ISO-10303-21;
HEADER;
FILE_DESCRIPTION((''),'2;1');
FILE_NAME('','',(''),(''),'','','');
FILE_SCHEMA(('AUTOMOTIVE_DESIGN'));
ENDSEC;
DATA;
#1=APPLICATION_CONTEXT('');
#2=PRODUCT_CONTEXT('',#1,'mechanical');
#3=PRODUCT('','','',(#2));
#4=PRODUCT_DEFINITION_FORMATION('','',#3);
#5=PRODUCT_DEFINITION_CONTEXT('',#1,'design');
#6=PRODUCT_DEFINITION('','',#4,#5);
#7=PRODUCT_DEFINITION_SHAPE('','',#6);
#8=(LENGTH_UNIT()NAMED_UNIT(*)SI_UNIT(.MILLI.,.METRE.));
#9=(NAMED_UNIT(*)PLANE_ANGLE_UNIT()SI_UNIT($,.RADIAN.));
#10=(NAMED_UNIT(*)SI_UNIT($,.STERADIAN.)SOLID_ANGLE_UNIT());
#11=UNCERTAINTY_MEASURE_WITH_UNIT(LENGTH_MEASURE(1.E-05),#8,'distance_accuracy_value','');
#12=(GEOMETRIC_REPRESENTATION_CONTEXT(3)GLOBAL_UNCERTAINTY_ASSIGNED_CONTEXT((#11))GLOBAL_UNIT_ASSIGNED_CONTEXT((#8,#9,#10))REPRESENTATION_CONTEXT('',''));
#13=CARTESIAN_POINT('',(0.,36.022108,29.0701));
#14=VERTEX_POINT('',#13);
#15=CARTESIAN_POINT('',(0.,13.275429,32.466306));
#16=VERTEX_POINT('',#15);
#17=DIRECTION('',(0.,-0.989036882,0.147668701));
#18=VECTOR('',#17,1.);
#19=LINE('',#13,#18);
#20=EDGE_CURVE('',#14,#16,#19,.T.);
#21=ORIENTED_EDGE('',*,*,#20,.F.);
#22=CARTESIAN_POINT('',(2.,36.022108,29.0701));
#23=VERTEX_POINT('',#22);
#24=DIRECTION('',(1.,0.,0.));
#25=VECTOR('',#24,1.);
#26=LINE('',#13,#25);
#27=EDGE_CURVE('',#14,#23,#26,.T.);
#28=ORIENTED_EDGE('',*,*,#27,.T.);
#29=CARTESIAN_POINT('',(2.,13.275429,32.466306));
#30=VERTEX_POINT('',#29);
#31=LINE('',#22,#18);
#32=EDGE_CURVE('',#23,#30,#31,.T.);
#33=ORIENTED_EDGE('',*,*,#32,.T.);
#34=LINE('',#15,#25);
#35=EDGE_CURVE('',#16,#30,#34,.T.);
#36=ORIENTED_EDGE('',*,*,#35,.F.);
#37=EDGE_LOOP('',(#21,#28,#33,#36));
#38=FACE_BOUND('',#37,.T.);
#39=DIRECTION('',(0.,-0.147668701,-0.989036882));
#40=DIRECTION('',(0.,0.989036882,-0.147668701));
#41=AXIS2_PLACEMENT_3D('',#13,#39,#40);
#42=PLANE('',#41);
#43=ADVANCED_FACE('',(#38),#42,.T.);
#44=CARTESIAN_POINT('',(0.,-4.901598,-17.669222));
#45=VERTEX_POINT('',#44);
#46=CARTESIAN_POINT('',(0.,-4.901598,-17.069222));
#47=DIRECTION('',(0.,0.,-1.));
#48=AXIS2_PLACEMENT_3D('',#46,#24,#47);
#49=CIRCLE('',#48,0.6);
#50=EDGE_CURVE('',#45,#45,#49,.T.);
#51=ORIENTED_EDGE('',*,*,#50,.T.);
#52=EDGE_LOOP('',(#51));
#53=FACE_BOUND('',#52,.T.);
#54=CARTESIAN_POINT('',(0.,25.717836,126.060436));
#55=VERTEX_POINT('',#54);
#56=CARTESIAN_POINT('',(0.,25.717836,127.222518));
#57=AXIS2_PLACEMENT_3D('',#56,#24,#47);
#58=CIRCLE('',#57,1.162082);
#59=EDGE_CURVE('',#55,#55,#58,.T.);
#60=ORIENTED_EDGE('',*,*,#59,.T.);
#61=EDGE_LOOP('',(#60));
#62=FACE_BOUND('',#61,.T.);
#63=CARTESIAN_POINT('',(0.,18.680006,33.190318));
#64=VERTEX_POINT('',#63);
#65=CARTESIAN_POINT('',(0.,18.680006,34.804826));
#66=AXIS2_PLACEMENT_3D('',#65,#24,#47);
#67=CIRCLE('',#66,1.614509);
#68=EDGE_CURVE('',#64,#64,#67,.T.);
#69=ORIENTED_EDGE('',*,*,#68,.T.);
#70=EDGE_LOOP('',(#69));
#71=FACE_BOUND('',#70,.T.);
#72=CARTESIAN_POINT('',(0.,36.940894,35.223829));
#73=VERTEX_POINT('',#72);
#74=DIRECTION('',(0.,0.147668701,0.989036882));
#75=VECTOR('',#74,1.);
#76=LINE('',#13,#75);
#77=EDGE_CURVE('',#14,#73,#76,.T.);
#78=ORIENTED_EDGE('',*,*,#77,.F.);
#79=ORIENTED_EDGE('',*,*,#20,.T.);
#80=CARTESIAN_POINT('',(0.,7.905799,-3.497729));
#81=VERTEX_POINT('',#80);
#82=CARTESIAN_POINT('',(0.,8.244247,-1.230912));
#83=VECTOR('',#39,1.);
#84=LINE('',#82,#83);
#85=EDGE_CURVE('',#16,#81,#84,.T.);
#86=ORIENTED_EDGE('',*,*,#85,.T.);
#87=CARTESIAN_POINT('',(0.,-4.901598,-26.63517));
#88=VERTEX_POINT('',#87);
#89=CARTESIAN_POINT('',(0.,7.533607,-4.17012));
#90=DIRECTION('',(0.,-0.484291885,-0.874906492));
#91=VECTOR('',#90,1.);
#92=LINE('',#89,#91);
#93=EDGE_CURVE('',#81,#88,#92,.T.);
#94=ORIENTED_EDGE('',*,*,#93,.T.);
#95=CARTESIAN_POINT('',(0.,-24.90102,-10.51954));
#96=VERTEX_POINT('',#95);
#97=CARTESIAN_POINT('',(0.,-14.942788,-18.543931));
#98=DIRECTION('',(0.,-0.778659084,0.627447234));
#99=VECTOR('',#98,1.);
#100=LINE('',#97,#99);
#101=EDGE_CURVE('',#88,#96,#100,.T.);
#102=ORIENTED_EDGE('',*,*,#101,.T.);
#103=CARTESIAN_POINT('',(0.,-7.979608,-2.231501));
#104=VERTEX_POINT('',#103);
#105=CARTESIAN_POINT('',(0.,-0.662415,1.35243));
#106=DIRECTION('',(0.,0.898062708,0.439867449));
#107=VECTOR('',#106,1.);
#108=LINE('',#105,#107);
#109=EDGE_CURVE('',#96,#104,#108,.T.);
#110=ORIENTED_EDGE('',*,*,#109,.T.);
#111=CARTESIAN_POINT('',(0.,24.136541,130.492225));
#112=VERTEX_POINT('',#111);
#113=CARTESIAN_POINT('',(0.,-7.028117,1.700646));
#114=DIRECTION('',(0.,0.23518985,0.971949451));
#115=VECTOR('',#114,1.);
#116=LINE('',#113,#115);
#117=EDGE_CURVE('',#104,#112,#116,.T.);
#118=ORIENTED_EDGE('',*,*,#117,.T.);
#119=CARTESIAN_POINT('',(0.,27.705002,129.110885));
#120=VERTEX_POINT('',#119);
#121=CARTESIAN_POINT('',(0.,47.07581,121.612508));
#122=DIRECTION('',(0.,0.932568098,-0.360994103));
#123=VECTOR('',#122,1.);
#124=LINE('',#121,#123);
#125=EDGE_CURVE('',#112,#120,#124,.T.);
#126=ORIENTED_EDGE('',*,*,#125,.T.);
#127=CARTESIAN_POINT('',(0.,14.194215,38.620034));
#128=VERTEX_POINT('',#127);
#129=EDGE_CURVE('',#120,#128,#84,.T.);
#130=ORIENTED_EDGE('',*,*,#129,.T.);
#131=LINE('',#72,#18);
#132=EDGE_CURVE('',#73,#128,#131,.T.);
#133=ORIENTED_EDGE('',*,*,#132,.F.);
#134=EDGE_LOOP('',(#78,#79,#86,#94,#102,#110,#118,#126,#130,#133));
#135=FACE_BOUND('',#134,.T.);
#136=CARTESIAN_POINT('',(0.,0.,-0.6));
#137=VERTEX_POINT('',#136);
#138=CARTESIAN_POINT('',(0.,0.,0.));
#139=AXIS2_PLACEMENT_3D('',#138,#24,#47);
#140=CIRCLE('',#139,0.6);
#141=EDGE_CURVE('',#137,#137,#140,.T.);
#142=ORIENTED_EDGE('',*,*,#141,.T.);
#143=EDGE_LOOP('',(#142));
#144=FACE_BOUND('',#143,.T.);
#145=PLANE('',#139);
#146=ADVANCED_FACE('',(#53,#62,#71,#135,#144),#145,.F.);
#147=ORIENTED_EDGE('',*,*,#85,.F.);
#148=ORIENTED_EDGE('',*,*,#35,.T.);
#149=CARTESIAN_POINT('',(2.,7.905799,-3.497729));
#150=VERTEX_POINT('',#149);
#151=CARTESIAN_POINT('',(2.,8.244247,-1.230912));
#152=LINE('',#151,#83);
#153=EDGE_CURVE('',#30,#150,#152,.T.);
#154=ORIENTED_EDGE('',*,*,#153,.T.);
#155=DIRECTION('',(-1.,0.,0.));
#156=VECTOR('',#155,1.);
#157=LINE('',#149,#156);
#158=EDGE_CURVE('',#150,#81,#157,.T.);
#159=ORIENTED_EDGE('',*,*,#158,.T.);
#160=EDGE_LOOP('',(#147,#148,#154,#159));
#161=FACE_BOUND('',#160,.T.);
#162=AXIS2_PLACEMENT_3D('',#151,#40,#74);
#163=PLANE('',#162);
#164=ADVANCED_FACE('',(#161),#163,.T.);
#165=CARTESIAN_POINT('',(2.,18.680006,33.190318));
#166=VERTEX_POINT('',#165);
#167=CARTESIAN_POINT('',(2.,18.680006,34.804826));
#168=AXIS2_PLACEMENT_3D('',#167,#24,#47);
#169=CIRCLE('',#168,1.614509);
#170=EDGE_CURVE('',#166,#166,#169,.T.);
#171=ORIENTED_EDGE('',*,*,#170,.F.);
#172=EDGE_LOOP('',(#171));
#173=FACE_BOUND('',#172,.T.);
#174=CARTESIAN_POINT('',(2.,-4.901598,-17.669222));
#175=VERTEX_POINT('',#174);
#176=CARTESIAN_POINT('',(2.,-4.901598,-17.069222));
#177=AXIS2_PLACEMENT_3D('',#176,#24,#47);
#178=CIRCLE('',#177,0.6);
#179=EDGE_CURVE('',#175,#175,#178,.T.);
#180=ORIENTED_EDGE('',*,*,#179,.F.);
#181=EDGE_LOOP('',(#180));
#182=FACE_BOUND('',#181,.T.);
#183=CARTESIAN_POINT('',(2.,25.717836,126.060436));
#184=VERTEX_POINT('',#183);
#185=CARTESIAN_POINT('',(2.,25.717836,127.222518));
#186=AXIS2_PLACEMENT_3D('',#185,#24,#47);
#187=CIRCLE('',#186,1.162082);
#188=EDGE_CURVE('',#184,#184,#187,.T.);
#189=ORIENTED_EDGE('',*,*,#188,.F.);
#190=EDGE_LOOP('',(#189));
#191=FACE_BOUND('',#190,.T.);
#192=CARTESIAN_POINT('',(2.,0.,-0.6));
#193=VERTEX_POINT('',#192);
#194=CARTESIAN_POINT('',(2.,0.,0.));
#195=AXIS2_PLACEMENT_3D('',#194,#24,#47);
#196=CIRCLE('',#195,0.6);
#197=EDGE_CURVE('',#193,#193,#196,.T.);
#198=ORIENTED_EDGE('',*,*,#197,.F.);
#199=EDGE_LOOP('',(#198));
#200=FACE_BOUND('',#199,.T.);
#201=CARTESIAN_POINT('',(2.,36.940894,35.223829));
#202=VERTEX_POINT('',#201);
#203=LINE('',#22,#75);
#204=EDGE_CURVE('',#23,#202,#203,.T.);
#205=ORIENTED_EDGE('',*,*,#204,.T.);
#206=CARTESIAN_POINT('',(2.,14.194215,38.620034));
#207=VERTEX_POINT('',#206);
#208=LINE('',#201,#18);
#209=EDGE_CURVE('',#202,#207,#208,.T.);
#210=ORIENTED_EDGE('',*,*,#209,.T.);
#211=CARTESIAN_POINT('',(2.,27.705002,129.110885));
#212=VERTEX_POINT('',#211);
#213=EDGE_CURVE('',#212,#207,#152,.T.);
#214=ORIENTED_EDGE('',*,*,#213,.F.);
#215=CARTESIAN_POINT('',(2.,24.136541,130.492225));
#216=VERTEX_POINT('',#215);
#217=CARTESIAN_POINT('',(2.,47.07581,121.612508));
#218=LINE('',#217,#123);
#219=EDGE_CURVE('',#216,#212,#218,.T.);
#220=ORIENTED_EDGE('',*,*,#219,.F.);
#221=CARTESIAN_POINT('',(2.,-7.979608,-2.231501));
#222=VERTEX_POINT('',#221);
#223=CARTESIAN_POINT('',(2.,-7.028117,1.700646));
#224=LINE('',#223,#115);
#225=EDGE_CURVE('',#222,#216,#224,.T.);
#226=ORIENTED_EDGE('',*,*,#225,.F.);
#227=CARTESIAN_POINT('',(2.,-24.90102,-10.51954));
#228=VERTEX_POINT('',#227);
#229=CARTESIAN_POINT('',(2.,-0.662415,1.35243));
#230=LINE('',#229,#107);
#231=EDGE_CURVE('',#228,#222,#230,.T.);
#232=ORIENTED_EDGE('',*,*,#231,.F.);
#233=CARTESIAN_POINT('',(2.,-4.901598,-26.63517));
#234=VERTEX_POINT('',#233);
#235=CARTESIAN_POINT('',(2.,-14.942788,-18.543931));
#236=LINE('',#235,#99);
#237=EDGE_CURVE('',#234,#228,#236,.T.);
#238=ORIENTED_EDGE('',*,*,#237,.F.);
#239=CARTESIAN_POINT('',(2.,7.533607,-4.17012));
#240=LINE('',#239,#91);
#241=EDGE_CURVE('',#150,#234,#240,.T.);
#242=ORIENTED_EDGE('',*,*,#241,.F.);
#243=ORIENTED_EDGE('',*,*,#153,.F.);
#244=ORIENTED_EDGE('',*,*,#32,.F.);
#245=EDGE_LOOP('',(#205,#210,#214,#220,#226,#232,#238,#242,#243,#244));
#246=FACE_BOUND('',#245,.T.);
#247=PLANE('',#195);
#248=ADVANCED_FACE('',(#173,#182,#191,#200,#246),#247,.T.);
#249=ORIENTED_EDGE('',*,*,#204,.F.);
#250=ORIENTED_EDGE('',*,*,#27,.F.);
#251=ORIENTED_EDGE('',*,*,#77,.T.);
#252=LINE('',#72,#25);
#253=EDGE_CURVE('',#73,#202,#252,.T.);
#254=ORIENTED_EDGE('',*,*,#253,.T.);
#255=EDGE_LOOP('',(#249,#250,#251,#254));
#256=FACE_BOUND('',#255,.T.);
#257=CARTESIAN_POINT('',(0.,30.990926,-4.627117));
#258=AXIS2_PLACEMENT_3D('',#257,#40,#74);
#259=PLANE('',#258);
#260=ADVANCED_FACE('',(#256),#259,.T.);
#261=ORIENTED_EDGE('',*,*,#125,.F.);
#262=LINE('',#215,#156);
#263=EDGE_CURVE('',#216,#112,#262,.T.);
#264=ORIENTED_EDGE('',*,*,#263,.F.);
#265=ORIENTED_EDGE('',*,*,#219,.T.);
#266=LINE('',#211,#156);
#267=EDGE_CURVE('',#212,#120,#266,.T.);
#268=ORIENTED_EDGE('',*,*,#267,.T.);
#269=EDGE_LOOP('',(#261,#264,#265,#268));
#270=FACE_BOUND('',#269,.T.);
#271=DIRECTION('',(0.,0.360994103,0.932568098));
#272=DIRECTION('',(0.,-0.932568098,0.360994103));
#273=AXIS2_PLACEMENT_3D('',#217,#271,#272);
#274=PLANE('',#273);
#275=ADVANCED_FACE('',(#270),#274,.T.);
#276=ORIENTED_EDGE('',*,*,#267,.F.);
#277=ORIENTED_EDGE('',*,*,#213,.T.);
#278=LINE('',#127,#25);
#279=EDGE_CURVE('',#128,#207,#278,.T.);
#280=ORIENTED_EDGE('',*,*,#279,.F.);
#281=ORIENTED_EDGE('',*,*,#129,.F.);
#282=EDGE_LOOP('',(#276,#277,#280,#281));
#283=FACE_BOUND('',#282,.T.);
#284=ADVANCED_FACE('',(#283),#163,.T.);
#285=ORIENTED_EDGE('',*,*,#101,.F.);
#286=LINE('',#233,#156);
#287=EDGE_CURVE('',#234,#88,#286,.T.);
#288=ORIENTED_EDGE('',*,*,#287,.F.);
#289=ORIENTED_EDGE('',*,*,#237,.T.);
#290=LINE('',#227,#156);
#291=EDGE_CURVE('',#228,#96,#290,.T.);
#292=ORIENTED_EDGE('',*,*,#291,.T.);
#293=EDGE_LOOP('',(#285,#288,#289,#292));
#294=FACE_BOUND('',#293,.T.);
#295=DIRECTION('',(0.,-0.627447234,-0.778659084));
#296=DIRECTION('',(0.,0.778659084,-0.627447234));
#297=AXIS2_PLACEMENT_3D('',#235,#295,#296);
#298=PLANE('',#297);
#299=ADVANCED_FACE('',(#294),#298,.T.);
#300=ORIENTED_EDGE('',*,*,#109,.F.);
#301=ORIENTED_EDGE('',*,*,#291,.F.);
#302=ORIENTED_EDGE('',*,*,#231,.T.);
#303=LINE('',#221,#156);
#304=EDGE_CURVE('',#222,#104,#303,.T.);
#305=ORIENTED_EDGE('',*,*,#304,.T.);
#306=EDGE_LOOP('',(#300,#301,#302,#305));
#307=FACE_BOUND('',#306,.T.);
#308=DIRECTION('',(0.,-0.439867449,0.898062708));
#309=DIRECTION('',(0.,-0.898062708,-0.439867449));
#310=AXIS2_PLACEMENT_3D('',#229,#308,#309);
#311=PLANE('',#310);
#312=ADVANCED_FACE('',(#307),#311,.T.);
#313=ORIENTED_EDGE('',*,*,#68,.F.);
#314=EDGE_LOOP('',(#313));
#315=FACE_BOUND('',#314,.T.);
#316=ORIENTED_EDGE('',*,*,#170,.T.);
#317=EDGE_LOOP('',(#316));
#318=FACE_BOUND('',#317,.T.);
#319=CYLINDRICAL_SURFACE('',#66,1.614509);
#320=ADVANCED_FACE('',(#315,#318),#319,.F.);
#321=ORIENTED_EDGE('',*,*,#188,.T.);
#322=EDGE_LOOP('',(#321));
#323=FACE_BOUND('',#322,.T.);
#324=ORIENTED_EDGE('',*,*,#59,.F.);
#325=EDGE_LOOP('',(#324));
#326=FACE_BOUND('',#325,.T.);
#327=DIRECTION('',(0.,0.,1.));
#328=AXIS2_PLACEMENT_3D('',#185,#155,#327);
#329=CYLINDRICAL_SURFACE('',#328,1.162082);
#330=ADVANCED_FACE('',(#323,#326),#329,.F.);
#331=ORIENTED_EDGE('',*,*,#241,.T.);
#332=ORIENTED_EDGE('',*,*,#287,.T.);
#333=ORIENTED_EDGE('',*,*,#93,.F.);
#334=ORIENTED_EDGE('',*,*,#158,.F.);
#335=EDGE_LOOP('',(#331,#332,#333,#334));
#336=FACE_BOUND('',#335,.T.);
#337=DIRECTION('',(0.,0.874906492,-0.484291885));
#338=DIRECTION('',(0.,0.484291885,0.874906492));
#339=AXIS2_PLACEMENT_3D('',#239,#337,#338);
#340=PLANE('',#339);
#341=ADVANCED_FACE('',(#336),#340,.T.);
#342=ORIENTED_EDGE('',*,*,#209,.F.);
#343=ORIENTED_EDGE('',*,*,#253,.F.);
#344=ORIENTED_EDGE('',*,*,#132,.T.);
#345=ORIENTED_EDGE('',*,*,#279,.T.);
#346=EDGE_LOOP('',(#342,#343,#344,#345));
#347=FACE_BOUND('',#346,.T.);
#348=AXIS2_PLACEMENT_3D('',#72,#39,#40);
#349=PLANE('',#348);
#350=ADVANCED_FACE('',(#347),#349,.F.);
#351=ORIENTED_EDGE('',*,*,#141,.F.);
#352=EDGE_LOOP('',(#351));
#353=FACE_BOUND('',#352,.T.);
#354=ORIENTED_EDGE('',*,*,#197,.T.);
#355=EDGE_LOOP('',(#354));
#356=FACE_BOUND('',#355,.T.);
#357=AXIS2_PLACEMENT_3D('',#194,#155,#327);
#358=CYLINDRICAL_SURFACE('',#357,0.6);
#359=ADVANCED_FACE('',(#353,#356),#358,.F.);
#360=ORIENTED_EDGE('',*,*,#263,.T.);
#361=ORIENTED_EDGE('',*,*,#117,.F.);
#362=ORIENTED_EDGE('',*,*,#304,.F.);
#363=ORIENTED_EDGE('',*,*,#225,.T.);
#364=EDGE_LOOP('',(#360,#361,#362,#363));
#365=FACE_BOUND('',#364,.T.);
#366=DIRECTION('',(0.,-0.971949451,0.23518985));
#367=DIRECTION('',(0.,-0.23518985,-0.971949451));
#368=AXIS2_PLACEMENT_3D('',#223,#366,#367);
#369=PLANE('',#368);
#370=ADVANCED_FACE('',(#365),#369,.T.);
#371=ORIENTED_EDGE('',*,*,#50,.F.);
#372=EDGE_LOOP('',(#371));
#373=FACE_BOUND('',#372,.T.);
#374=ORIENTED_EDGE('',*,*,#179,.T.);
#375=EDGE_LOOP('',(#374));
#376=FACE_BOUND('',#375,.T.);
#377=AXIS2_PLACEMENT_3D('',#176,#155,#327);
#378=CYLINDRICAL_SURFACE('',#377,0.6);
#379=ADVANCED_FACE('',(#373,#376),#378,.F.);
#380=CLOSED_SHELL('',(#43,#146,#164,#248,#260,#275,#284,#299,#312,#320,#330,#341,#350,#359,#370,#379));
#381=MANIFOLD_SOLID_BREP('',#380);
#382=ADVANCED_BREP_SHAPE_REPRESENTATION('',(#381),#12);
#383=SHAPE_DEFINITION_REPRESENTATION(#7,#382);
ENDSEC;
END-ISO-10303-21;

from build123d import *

# Parameters (mm, degrees)
SKETCH_1_R          = 0.6
SKETCH_1_R_2        = 1.16208208
EXTRUDE_1_DEPTH     = 2
SKETCH_2_W          = 2
SKETCH_2_H          = 6.221940724
EXTRUDE_2_DEPTH     = 22.998818
SKETCH_3_R          = 1.614508757
CUT_EXTRUDE_1_DEPTH = 136.634989839


with BuildPart() as part:
    # 草图1 → 凸台-拉伸1 (new body)
    with BuildSketch(Plane(origin=(0, 0, 0), x_dir=(0, 0, -1), z_dir=(1, 0, 0))):
        Polygon((-129.110885337, 27.705001714), (3.4977294, 7.905798819), (26.635169992, -4.901598114), (10.519539729, -24.901019931), (2.231501308, -7.979608155), (-130.492225074, 24.136540727), align=None)
        Circle(SKETCH_1_R, mode=Mode.SUBTRACT)
        with Locations((17.069222108, -4.901598114)):
            Circle(SKETCH_1_R, mode=Mode.SUBTRACT)
        with Locations((-127.222518318, 25.717836253)):
            Circle(SKETCH_1_R_2, mode=Mode.SUBTRACT)
    extrude(amount=EXTRUDE_1_DEPTH)

    # 草图2 → 凸台-拉伸2 (add)
    with BuildSketch(Plane(origin=(0, 8.244247262, -1.230911918), x_dir=(1, 0, 0), z_dir=(0, 0.9890368823707517, -0.14766870118729958))):
        with Locations((1, -37.181709338)):
            Rectangle(SKETCH_2_W, SKETCH_2_H)
    extrude(amount=EXTRUDE_2_DEPTH)

    # 草图3 → 切除-拉伸1 (cut, through all)
    with BuildSketch(Plane(origin=(2, 0, 0), x_dir=(0, 0, -1), z_dir=(1, 0, 0))):
        with Locations((-34.804826462, 18.6800064)):
            Circle(SKETCH_3_R)
    extrude(amount=-CUT_EXTRUDE_1_DEPTH, mode=Mode.SUBTRACT)


solid = part.part
